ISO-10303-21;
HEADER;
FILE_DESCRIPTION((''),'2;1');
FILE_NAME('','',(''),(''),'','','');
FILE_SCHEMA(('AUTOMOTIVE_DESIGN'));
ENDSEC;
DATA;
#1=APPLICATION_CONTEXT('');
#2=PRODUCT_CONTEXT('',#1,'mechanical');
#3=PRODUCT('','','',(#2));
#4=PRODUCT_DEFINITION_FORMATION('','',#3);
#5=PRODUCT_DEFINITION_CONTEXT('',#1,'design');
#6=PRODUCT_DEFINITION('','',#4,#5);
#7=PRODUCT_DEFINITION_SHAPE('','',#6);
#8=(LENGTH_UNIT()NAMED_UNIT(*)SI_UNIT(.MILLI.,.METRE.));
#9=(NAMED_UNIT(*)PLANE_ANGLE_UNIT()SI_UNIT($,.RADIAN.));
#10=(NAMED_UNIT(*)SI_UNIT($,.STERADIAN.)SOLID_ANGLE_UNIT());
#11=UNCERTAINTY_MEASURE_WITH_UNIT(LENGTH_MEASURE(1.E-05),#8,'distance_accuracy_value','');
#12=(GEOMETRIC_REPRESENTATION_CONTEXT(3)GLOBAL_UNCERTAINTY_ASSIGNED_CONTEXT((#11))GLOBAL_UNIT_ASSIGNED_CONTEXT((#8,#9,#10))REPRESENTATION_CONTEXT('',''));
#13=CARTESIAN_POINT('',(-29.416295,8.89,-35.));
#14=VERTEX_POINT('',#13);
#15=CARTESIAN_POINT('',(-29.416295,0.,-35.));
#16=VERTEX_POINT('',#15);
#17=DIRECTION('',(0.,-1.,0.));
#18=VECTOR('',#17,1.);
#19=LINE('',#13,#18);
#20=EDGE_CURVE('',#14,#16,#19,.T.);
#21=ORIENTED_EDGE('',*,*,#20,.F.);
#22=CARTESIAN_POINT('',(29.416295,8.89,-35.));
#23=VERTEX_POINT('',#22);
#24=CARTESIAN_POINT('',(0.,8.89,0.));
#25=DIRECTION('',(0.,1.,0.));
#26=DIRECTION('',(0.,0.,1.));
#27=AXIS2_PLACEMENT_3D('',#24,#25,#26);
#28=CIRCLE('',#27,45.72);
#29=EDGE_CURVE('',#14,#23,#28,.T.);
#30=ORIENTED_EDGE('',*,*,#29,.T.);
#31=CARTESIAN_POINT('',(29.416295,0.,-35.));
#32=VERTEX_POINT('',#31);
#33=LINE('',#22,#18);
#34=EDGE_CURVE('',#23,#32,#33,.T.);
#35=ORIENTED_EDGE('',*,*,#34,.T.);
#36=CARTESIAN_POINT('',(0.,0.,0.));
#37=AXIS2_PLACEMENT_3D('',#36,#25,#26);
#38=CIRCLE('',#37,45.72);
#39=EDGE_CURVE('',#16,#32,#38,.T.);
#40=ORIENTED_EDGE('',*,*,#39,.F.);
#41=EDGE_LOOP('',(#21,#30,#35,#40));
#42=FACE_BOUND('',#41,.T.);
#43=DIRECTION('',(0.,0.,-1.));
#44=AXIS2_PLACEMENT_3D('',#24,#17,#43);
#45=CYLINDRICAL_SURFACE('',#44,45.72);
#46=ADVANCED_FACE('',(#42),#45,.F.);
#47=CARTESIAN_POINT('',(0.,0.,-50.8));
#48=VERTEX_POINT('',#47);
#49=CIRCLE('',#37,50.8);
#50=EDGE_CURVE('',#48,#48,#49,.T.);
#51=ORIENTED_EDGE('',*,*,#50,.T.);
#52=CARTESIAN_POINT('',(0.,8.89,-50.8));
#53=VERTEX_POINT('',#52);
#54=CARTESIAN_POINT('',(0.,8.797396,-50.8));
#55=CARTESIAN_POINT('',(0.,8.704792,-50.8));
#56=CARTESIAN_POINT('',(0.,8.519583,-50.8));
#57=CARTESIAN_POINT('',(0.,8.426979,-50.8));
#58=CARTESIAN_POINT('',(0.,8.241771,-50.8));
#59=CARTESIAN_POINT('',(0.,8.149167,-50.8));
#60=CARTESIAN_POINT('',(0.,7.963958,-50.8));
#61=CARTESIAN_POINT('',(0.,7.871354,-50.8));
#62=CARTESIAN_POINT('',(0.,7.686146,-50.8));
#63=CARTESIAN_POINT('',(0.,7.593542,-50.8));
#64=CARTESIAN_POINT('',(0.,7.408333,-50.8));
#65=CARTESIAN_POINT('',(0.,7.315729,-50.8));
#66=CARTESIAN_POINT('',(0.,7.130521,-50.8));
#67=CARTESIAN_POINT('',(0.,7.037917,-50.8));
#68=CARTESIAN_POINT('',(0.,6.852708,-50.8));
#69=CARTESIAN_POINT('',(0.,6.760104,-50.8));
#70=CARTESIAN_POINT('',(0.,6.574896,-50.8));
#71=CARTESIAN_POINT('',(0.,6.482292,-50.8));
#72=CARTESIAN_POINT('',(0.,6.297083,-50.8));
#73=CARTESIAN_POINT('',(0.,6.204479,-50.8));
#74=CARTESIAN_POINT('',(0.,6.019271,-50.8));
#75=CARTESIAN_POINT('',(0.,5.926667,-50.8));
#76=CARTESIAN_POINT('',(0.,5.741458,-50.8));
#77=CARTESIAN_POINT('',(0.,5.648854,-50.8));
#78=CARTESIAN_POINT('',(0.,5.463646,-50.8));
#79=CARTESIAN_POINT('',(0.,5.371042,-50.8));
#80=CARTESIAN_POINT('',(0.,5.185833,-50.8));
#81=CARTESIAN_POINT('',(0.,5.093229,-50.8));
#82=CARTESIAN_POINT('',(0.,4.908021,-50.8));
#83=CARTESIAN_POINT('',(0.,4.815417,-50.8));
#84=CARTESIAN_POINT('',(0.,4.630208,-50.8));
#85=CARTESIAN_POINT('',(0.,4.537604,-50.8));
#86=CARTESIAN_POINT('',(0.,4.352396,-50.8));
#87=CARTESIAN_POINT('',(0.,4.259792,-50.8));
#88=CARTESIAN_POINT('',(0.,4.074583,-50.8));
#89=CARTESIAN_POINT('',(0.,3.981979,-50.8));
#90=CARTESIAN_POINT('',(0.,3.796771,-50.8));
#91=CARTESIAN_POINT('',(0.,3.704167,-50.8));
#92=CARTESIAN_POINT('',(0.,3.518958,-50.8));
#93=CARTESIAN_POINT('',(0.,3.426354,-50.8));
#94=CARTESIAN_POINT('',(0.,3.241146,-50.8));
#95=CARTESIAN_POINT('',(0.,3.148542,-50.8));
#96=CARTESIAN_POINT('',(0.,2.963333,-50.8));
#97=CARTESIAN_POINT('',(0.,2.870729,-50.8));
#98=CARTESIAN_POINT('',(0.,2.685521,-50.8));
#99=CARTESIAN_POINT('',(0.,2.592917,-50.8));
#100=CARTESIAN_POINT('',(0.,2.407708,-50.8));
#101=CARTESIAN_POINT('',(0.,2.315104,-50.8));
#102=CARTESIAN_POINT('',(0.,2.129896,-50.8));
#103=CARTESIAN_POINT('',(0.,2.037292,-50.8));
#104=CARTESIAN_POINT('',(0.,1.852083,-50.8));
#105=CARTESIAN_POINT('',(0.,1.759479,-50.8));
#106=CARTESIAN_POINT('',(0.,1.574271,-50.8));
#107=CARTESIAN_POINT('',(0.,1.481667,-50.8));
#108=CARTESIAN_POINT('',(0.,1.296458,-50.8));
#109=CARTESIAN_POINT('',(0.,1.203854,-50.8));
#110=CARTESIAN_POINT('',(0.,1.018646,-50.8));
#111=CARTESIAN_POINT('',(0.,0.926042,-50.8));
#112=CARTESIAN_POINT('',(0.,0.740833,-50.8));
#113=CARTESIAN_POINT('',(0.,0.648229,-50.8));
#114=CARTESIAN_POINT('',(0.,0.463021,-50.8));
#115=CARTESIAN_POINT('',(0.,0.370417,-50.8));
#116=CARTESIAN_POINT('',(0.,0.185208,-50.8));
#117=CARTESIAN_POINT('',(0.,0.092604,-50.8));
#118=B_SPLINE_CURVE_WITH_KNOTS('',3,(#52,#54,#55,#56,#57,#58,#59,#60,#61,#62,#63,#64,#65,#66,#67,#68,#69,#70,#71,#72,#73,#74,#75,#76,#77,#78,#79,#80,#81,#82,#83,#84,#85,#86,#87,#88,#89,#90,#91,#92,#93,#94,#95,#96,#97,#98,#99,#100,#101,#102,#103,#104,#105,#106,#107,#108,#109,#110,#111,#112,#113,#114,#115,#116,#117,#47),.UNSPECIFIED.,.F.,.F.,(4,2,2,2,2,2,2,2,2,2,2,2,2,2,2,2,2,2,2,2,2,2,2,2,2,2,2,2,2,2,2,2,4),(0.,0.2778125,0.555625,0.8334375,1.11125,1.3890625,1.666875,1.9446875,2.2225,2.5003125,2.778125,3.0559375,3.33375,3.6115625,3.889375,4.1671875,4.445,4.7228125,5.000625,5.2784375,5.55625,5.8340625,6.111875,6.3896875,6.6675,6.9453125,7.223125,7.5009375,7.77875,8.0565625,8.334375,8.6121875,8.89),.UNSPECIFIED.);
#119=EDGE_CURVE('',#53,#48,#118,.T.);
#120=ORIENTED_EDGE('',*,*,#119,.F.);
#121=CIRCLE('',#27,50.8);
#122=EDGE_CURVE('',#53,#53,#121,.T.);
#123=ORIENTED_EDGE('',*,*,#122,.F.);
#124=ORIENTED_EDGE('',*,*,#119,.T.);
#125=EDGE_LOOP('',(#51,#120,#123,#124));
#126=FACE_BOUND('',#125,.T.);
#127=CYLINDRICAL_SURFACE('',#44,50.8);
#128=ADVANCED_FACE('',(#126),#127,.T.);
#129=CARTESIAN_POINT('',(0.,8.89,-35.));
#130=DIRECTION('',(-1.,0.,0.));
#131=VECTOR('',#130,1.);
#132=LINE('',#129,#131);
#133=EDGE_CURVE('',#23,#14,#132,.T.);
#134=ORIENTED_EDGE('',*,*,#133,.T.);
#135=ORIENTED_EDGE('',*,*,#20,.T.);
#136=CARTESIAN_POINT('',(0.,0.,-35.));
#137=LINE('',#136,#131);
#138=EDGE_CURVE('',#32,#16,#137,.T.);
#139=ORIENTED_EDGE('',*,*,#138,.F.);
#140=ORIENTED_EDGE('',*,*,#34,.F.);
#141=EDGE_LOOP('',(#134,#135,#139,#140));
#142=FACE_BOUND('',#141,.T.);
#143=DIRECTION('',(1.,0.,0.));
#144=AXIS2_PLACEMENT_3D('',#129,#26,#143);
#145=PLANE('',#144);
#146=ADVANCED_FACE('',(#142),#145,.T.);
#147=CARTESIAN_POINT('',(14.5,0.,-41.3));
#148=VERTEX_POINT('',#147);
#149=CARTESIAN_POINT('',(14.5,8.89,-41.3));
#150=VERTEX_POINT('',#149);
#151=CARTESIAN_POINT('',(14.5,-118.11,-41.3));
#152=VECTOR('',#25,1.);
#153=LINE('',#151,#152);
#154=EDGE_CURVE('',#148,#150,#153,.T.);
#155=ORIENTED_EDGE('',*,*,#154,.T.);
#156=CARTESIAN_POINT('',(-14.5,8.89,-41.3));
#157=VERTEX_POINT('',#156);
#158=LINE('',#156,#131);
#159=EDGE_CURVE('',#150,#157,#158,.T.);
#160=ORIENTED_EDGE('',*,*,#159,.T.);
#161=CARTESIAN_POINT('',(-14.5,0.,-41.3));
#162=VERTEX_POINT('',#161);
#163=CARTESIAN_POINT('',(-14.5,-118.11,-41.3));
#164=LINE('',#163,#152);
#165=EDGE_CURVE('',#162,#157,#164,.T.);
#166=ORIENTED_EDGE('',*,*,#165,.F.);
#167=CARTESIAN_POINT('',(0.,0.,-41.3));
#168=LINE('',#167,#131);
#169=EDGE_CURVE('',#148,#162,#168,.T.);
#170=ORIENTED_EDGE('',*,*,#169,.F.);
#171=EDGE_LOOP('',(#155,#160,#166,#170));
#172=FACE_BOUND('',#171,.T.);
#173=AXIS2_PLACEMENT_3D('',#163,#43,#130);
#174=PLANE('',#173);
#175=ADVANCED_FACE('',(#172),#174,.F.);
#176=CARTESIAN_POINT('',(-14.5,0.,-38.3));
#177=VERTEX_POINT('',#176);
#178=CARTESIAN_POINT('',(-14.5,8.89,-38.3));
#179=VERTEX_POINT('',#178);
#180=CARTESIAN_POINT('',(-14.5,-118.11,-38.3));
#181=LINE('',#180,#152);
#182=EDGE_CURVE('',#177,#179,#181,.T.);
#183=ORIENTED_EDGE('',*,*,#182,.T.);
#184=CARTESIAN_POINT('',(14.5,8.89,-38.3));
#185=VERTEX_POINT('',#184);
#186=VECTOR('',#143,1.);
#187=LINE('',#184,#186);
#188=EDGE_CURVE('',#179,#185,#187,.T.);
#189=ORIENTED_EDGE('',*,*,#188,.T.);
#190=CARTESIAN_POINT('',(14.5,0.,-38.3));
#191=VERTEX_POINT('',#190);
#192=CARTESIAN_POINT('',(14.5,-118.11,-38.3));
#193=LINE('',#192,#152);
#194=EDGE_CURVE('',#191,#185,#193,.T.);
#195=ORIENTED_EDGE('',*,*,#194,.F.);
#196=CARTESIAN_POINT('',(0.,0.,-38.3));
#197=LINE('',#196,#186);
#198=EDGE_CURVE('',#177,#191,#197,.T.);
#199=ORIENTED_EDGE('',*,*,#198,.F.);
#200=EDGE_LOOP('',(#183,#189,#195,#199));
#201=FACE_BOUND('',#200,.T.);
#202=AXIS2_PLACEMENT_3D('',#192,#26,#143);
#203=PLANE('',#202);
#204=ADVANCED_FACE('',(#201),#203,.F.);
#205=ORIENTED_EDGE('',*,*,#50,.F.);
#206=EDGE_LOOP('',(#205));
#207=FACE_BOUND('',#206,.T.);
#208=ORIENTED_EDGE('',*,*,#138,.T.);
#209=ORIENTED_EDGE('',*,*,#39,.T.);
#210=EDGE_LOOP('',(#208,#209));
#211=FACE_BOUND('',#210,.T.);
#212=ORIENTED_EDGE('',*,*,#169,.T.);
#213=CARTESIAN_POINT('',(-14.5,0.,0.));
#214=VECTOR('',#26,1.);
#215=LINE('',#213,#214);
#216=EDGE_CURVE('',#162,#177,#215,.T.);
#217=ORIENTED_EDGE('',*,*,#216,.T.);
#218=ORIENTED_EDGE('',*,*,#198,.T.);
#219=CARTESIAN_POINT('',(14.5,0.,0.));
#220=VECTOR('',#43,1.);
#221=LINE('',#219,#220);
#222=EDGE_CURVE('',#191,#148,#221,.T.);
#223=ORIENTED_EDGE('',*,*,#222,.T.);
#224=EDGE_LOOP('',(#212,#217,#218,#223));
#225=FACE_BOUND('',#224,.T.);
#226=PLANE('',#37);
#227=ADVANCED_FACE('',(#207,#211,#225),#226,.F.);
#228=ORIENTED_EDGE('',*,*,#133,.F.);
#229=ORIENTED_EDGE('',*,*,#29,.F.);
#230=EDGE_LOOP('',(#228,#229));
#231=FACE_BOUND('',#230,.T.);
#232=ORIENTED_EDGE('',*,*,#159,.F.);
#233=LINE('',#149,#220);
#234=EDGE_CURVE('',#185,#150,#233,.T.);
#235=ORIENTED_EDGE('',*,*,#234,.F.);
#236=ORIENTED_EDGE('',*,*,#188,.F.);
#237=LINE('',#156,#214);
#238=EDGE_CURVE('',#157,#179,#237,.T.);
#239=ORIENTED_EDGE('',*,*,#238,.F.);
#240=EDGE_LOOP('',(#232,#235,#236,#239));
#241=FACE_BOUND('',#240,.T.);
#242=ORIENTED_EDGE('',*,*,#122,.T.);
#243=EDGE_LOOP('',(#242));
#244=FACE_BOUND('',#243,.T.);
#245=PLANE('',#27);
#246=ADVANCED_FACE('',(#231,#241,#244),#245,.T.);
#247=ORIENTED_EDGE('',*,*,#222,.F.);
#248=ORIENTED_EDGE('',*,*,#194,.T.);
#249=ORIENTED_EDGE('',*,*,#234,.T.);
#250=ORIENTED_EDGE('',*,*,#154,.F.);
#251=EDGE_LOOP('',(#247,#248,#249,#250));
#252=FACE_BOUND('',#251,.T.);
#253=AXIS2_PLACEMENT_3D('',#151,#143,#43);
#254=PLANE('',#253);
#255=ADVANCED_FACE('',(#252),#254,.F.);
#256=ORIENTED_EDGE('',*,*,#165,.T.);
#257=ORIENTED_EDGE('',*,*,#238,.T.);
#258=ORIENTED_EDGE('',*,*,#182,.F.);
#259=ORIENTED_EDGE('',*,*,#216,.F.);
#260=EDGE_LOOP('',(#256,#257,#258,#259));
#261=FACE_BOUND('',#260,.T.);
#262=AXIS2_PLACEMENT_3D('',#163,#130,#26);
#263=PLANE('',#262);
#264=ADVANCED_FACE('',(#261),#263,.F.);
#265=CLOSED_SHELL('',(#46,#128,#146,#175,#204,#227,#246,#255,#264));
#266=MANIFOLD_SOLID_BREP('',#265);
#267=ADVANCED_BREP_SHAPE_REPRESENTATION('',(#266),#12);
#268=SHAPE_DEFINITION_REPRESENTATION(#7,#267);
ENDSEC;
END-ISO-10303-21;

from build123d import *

# Parameters (mm, degrees)
SKETCH1_R           = 50.8
BOSS_EXTRUDE1_DEPTH = 8.89
SKETCH2_W           = 29
SKETCH2_H           = 3
CUT_EXTRUDE2_DEPTH  = 127


with BuildPart() as part:
    # Sketch1 → Boss-Extrude1 (new body)
    with BuildSketch(Plane(origin=(0, 0, 0), x_dir=(1, 0, 0), z_dir=(0, 1, 0))):
        with Locations(Location((0, 0, 0), (0, 0, 90))):
            Circle(SKETCH1_R)
        with BuildLine():
            Line((-29.416294804, 35), (29.416294804, 35))
            ThreePointArc((29.416294804, 35), (0, -45.72), (-29.416294804, 35))
        make_face(mode=Mode.SUBTRACT)
    extrude(amount=BOSS_EXTRUDE1_DEPTH)

    # Sketch2 → Cut-Extrude2 (cut)
    with BuildSketch(Plane(origin=(0, 8.89, 0), x_dir=(1, 0, 0), z_dir=(0, 1, 0))):
        with Locations((0, 39.8)):
            Rectangle(SKETCH2_W, SKETCH2_H)
    extrude(amount=-CUT_EXTRUDE2_DEPTH, mode=Mode.SUBTRACT)


solid = part.part
